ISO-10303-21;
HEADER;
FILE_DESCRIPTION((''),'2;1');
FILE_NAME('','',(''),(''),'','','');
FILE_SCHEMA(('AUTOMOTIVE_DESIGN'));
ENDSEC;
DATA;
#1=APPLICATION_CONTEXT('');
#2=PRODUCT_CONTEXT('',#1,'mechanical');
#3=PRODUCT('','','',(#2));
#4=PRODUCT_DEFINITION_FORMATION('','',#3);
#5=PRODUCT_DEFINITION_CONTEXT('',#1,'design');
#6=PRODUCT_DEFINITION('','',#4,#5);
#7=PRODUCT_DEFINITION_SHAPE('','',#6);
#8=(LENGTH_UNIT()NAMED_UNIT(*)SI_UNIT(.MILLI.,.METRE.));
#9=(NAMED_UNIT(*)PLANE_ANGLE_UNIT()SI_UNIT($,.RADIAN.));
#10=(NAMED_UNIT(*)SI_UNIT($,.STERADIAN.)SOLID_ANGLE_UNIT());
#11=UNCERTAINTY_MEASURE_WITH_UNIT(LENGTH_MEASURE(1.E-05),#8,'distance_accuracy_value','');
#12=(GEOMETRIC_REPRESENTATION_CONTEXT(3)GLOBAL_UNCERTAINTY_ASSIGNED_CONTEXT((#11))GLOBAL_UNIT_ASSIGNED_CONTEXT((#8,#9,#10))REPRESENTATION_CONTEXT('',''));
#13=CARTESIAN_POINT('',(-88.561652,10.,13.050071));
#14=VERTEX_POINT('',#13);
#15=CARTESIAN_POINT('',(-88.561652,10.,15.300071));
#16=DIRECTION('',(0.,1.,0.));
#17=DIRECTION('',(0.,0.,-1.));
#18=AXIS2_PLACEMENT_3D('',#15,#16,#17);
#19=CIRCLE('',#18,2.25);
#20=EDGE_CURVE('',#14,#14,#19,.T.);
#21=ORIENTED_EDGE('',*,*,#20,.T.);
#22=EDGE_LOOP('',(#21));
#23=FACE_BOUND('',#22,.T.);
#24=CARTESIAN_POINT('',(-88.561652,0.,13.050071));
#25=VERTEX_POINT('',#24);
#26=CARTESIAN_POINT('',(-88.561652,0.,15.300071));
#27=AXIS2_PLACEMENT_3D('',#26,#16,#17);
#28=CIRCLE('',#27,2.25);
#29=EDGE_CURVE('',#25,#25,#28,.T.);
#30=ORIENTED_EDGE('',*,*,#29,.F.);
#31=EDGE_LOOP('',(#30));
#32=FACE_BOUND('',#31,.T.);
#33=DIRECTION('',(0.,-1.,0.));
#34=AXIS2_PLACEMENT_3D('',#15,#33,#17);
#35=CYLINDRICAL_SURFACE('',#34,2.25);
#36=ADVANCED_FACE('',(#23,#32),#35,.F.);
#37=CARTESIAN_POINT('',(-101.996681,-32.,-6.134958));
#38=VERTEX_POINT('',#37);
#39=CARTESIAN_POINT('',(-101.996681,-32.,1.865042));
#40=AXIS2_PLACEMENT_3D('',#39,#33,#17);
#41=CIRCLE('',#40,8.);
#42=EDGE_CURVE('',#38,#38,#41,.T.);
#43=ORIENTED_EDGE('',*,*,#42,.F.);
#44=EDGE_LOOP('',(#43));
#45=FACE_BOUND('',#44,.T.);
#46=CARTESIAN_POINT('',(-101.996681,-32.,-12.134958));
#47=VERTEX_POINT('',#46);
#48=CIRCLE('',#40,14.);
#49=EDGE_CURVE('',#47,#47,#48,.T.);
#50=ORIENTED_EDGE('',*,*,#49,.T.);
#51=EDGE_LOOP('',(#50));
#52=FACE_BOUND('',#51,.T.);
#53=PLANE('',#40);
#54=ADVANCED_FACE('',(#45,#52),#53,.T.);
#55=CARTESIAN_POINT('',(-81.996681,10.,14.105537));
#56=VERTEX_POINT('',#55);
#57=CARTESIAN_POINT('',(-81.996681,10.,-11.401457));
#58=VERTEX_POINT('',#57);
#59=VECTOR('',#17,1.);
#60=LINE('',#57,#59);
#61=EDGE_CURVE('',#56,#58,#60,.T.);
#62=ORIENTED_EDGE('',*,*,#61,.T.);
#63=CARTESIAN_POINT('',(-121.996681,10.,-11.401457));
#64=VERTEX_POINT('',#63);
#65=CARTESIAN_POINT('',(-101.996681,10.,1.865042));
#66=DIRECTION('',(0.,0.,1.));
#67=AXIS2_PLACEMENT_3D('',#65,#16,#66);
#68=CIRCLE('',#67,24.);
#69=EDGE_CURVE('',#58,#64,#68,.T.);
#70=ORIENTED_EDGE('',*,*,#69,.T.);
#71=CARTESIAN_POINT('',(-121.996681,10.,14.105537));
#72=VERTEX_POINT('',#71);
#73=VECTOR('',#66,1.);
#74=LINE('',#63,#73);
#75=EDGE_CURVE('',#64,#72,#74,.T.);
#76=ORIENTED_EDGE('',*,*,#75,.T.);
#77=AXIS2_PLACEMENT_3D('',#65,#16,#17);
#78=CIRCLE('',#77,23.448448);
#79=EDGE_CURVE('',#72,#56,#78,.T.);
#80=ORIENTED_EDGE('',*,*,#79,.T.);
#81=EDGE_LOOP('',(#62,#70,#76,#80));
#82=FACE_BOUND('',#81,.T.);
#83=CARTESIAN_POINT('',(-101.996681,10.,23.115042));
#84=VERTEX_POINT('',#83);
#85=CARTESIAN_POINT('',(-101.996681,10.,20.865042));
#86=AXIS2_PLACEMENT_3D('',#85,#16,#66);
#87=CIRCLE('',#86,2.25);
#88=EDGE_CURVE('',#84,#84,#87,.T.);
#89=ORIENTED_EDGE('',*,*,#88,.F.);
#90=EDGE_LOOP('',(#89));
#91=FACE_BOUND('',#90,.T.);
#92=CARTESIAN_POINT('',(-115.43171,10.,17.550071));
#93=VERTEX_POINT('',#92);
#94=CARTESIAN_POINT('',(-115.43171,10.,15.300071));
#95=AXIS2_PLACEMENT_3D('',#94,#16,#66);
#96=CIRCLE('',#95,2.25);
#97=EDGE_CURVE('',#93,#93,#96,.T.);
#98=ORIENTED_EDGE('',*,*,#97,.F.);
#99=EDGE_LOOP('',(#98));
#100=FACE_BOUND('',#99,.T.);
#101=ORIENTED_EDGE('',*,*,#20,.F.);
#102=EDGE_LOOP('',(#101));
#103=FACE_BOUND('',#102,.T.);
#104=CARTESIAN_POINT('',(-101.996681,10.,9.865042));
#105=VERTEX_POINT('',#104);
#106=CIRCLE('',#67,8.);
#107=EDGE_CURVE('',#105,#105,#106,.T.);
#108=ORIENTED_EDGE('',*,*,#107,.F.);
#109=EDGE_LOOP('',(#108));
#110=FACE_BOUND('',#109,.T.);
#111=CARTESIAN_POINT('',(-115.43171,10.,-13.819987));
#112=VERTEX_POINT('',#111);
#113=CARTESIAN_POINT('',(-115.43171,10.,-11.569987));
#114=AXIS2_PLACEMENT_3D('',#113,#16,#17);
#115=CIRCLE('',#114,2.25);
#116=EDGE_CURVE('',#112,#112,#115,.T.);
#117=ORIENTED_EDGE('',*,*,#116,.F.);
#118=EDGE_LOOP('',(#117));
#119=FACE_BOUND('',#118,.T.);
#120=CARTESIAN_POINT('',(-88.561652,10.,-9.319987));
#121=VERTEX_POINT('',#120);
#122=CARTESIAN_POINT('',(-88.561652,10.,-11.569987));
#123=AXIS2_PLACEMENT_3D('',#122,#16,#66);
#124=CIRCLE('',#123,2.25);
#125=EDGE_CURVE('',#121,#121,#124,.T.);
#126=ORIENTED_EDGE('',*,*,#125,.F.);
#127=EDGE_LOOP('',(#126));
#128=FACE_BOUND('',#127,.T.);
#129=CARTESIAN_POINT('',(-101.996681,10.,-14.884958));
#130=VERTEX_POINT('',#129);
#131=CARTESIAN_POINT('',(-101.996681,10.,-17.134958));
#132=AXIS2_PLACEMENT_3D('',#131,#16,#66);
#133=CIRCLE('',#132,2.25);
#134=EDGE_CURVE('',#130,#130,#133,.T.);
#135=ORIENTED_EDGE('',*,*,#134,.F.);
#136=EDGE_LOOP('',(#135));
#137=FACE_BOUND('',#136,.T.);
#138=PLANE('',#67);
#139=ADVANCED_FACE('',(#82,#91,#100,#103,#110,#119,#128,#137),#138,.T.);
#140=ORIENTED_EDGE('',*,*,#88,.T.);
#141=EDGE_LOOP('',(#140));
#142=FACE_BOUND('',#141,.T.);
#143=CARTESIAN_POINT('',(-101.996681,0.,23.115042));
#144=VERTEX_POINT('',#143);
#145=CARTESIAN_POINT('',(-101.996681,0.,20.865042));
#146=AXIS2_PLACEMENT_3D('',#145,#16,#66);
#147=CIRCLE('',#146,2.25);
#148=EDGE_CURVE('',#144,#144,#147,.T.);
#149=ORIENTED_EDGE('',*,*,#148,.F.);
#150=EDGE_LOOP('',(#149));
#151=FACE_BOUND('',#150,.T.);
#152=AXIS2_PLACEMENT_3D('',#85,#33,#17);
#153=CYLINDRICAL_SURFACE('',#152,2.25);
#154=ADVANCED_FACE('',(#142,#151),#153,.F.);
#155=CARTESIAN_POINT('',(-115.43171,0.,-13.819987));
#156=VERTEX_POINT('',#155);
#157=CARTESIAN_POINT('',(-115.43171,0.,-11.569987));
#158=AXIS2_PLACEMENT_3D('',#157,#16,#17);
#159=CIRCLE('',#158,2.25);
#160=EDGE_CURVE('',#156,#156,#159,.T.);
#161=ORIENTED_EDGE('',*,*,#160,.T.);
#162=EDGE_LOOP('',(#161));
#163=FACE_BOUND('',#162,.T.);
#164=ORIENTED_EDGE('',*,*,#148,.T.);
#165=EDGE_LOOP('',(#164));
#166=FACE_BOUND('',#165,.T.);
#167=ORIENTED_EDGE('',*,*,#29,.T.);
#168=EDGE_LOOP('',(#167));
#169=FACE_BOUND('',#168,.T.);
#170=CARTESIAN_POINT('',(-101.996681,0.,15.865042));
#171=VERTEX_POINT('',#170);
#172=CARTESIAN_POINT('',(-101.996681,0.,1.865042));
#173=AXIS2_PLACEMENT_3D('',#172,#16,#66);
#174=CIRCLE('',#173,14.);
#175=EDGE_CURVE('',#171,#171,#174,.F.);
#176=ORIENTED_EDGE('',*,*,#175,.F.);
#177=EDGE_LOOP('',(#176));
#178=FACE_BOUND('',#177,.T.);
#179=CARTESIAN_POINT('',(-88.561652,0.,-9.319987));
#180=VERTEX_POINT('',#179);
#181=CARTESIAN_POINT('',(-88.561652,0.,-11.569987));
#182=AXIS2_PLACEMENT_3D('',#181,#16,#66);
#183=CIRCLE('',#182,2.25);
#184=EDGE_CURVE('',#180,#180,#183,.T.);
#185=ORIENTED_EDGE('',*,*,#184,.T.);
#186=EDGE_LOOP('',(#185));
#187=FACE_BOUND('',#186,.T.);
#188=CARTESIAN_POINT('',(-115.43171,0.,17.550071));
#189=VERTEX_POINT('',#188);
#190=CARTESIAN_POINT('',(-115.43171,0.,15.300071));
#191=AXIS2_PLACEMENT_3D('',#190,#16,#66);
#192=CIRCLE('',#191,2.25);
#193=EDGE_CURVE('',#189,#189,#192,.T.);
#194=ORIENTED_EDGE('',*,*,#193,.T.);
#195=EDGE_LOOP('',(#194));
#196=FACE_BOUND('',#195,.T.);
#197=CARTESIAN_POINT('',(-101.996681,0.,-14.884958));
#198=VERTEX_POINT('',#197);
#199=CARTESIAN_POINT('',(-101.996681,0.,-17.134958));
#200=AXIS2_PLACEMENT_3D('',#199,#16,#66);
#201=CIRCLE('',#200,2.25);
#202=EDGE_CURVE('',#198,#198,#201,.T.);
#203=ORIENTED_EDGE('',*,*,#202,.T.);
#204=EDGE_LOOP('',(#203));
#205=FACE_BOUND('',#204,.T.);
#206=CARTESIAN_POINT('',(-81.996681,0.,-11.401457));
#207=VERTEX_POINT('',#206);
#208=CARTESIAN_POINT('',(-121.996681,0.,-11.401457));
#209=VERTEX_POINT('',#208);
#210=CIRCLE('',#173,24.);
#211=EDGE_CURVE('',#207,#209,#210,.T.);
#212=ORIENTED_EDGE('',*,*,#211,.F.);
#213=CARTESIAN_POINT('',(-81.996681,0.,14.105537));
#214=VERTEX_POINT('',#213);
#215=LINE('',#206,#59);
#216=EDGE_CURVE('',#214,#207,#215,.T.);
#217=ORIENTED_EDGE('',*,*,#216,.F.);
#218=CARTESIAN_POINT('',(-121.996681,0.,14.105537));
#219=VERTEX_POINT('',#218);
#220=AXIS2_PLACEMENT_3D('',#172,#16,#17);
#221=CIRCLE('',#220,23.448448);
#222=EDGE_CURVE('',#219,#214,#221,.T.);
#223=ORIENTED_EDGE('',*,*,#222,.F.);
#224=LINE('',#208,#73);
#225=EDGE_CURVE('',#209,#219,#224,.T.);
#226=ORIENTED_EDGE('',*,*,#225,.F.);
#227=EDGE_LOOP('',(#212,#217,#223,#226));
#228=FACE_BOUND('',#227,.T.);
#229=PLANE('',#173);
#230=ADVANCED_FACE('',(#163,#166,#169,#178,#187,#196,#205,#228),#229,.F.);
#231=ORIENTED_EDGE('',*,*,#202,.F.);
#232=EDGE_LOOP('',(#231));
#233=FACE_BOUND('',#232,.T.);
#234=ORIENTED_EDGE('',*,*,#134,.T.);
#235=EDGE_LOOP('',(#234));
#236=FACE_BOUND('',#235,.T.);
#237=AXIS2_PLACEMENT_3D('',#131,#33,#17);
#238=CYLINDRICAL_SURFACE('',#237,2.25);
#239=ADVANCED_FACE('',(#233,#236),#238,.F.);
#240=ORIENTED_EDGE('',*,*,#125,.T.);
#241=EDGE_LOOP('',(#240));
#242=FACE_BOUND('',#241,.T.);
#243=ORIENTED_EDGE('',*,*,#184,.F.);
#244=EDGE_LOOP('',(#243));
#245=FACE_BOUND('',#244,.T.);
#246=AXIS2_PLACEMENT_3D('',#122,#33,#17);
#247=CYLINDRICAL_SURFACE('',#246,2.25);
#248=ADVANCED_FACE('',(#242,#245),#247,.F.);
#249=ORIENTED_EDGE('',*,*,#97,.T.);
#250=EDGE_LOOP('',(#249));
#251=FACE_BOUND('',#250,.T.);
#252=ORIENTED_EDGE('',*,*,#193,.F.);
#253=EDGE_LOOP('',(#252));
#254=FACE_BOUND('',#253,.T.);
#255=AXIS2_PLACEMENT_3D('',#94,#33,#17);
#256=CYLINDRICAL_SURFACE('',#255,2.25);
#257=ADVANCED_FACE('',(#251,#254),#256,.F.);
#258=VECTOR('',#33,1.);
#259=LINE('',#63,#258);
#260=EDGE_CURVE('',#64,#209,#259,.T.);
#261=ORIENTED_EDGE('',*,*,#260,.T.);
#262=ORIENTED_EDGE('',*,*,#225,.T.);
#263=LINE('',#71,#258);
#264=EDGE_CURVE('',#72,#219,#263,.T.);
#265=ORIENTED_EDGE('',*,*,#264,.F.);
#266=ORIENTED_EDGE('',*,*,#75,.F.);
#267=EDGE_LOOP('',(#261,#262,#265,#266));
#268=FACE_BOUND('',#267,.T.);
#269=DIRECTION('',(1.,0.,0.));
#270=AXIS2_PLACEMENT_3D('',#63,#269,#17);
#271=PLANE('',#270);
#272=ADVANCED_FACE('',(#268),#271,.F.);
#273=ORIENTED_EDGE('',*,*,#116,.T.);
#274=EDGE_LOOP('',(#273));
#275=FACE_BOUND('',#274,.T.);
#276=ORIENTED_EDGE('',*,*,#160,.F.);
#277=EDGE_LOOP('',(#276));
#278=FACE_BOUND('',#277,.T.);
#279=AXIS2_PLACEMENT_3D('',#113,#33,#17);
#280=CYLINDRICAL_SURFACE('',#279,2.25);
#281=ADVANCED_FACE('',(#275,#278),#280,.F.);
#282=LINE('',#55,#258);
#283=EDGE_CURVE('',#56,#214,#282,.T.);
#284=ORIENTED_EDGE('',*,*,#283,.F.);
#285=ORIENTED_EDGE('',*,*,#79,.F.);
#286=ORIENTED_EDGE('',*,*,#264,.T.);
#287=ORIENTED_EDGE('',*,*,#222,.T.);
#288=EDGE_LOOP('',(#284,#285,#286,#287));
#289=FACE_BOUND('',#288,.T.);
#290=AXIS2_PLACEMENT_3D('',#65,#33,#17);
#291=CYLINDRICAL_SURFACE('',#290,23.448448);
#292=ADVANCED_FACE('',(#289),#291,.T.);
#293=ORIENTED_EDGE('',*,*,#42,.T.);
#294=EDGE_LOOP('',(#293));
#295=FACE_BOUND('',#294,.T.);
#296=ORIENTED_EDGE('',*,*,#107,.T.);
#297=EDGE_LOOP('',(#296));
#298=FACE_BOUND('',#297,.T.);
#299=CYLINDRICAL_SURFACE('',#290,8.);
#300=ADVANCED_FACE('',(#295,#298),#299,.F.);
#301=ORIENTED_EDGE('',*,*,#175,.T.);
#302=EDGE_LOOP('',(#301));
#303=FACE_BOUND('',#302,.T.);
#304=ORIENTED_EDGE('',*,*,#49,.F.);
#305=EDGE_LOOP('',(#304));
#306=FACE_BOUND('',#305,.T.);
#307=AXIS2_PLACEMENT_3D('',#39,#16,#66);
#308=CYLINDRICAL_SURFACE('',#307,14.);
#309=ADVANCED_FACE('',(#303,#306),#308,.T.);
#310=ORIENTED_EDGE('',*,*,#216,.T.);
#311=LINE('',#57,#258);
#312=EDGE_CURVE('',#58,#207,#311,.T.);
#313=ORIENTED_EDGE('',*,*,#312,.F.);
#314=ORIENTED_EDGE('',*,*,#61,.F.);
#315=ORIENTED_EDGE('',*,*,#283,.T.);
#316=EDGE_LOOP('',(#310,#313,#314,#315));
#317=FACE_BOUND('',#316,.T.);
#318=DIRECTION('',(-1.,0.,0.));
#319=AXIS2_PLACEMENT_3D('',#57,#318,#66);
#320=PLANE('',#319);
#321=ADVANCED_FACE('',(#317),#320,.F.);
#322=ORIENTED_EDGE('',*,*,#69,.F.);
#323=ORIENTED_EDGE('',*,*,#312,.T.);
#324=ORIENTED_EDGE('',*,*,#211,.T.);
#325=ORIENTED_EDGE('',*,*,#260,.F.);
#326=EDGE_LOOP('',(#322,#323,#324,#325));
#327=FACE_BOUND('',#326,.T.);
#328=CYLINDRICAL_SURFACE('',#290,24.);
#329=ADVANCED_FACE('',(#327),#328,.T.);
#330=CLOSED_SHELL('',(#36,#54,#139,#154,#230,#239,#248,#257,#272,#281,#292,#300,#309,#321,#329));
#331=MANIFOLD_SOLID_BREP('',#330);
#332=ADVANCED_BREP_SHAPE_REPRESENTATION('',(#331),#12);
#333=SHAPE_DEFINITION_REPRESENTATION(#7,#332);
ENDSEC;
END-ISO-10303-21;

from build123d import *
from build123d.topology import SkipClean

# Parameters (mm, degrees)
SKETCH1_R      = 8
SKETCH1_R_2    = 2.25
EXTRUDE1_DEPTH = 10
EXTRUDE2_START = 32
SKETCH2_R      = 14
SKETCH2_R_2    = 8
EXTRUDE2_DEPTH = 32


with BuildPart() as part:
    # Sketch1 → Extrude1 (new body)
    with BuildSketch(Plane(origin=(0, 0, 0), x_dir=(1, 0, 0), z_dir=(0, 1, 0))):
        with BuildLine():
            Line((-81.996680828, 11.401457333), (-81.996680828, -14.105536597))
            ThreePointArc((-81.996680828, -14.105536597), (-101.996680828, -25.313489798), (-121.996680828, -14.105536597))
            Line((-121.996680828, -14.105536597), (-121.996680828, 11.401457333))
            ThreePointArc((-121.996680828, 11.401457333), (-101.996680828, 22.134958172), (-81.996680828, 11.401457333))
        make_face()
        with Locations(Location((-101.996680828, -1.865041828, 0), (0, 0, 270))):
            Circle(SKETCH1_R, mode=Mode.SUBTRACT)
        with Locations(Location((-101.996680828, 17.134958172, 0), (0, 0, 270))):
            Circle(SKETCH1_R_2, mode=Mode.SUBTRACT)
        with Locations(Location((-88.561651985, 11.569987015, 0), (0, 0, 270))):
            Circle(SKETCH1_R_2, mode=Mode.SUBTRACT)
        with Locations(Location((-115.43170967, 11.569987015, 0), (0, 0, 90))):
            Circle(SKETCH1_R_2, mode=Mode.SUBTRACT)
        with Locations(Location((-101.996680828, -20.865041828, 0), (0, 0, 270))):
            Circle(SKETCH1_R_2, mode=Mode.SUBTRACT)
        with Locations(Location((-88.561651985, -15.30007067, 0), (0, 0, 90))):
            Circle(SKETCH1_R_2, mode=Mode.SUBTRACT)
        with Locations(Location((-115.43170967, -15.30007067, 0), (0, 0, 270))):
            Circle(SKETCH1_R_2, mode=Mode.SUBTRACT)
    extrude(amount=EXTRUDE1_DEPTH)

    # Sketch2 → Extrude2 (add)
    with SkipClean():  # the faces are left unmerged after this step: merging them gives an invalid solid
        with BuildSketch(Plane.XZ.offset(EXTRUDE2_START)):
            with Locations(Location((-101.996680828, 1.865041828, 0), (0, 0, 90))):
                Circle(SKETCH2_R)
            with Locations(Location((-101.996680828, 1.865041828, 0), (0, 0, 270))):
                Circle(SKETCH2_R_2, mode=Mode.SUBTRACT)
        extrude(amount=-EXTRUDE2_DEPTH)


solid = part.part
